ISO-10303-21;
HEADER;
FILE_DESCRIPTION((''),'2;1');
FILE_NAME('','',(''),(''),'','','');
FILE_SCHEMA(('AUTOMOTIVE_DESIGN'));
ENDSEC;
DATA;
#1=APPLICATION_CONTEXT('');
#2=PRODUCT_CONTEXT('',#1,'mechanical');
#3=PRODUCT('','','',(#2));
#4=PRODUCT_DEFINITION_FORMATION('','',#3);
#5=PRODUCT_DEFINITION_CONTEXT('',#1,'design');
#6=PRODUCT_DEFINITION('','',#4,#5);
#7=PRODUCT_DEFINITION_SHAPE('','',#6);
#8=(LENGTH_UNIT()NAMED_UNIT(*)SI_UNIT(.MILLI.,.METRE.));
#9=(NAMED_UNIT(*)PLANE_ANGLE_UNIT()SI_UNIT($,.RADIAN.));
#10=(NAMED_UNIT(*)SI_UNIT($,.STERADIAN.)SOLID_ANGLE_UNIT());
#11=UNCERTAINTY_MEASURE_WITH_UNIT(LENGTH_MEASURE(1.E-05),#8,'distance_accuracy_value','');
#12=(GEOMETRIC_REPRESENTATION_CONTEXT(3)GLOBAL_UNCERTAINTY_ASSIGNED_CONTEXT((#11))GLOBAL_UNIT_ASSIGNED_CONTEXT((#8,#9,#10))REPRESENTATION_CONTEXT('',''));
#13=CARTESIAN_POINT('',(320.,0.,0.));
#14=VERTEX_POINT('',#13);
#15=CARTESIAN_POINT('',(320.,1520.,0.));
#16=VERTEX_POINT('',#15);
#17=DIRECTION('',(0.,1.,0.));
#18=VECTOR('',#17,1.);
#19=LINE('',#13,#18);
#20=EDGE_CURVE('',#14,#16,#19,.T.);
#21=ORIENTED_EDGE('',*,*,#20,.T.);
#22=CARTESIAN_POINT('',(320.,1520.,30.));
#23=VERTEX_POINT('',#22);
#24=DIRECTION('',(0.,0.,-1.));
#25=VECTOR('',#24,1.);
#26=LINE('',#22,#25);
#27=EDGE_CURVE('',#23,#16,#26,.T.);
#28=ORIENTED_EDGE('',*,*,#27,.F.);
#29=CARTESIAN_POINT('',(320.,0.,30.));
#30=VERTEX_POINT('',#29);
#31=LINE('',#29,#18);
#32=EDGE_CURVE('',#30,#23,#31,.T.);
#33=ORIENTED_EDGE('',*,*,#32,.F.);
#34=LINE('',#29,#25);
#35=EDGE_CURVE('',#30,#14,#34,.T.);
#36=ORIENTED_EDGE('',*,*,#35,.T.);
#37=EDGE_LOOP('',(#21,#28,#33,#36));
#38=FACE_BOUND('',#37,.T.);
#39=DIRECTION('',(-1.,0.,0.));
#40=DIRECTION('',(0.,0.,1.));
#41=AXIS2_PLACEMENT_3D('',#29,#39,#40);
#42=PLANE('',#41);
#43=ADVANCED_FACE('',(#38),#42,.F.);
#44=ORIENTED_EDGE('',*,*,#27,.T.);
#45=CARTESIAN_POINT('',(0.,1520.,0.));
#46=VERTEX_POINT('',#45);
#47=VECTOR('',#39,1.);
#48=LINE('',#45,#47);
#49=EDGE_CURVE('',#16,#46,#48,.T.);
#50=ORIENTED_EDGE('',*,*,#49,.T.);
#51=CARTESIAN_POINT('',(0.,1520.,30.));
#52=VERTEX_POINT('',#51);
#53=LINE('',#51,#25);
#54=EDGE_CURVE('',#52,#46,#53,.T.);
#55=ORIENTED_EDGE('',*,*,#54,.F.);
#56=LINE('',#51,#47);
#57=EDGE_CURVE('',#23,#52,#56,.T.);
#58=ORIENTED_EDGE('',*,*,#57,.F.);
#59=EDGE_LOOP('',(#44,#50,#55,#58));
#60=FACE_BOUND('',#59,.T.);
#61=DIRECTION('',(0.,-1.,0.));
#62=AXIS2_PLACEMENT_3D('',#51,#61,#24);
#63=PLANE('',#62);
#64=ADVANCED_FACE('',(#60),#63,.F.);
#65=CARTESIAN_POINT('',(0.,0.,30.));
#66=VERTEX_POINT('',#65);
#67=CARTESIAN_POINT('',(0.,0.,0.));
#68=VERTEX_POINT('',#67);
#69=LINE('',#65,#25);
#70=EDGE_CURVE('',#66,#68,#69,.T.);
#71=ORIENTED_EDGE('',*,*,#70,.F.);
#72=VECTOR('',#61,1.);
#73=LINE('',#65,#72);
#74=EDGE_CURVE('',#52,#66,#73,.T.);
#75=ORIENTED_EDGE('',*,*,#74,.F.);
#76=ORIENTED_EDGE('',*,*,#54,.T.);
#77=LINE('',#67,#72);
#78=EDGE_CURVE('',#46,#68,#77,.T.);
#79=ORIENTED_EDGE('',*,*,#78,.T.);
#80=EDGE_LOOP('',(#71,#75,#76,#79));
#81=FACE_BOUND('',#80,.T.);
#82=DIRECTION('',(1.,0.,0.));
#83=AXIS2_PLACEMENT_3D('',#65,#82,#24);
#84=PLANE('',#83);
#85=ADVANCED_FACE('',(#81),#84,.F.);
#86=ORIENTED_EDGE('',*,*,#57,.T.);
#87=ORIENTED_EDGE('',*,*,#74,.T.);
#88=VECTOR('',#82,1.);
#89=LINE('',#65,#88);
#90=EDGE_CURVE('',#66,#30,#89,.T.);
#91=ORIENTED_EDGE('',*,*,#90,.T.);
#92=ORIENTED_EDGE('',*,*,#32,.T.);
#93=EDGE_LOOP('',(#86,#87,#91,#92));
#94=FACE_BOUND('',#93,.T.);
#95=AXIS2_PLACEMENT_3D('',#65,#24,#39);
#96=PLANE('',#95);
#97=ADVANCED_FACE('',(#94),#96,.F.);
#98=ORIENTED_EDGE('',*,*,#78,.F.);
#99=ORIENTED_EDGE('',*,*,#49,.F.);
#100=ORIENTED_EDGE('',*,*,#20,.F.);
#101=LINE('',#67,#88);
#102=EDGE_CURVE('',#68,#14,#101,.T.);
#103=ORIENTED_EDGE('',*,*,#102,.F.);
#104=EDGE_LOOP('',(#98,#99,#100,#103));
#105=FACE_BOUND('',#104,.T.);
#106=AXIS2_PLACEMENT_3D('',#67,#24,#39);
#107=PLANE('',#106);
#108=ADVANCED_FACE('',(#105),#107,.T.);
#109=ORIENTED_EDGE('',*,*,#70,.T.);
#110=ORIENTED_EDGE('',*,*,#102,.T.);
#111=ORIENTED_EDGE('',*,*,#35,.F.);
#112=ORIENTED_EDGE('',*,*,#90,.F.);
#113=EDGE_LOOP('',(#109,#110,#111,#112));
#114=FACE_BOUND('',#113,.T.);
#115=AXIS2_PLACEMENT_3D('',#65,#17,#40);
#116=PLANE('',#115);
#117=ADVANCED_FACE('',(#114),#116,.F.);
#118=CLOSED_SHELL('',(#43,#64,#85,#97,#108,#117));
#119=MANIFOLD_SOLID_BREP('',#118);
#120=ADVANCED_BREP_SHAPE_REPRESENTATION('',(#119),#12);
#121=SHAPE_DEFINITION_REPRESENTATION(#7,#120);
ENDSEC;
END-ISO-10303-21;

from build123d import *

# Parameters (mm, degrees)
SZKIC1_W                    = 320
SZKIC1_H                    = 1520
DODANIE_WYCI_GNI_CIE1_DEPTH = 30


with BuildPart() as part:
    # Szkic1 → Dodanie-wyciągnięcie1 (new body)
    with BuildSketch(Plane.XY):
        with Locations((160, 760)):
            Rectangle(SZKIC1_W, SZKIC1_H)
    extrude(amount=DODANIE_WYCI_GNI_CIE1_DEPTH)


solid = part.part
